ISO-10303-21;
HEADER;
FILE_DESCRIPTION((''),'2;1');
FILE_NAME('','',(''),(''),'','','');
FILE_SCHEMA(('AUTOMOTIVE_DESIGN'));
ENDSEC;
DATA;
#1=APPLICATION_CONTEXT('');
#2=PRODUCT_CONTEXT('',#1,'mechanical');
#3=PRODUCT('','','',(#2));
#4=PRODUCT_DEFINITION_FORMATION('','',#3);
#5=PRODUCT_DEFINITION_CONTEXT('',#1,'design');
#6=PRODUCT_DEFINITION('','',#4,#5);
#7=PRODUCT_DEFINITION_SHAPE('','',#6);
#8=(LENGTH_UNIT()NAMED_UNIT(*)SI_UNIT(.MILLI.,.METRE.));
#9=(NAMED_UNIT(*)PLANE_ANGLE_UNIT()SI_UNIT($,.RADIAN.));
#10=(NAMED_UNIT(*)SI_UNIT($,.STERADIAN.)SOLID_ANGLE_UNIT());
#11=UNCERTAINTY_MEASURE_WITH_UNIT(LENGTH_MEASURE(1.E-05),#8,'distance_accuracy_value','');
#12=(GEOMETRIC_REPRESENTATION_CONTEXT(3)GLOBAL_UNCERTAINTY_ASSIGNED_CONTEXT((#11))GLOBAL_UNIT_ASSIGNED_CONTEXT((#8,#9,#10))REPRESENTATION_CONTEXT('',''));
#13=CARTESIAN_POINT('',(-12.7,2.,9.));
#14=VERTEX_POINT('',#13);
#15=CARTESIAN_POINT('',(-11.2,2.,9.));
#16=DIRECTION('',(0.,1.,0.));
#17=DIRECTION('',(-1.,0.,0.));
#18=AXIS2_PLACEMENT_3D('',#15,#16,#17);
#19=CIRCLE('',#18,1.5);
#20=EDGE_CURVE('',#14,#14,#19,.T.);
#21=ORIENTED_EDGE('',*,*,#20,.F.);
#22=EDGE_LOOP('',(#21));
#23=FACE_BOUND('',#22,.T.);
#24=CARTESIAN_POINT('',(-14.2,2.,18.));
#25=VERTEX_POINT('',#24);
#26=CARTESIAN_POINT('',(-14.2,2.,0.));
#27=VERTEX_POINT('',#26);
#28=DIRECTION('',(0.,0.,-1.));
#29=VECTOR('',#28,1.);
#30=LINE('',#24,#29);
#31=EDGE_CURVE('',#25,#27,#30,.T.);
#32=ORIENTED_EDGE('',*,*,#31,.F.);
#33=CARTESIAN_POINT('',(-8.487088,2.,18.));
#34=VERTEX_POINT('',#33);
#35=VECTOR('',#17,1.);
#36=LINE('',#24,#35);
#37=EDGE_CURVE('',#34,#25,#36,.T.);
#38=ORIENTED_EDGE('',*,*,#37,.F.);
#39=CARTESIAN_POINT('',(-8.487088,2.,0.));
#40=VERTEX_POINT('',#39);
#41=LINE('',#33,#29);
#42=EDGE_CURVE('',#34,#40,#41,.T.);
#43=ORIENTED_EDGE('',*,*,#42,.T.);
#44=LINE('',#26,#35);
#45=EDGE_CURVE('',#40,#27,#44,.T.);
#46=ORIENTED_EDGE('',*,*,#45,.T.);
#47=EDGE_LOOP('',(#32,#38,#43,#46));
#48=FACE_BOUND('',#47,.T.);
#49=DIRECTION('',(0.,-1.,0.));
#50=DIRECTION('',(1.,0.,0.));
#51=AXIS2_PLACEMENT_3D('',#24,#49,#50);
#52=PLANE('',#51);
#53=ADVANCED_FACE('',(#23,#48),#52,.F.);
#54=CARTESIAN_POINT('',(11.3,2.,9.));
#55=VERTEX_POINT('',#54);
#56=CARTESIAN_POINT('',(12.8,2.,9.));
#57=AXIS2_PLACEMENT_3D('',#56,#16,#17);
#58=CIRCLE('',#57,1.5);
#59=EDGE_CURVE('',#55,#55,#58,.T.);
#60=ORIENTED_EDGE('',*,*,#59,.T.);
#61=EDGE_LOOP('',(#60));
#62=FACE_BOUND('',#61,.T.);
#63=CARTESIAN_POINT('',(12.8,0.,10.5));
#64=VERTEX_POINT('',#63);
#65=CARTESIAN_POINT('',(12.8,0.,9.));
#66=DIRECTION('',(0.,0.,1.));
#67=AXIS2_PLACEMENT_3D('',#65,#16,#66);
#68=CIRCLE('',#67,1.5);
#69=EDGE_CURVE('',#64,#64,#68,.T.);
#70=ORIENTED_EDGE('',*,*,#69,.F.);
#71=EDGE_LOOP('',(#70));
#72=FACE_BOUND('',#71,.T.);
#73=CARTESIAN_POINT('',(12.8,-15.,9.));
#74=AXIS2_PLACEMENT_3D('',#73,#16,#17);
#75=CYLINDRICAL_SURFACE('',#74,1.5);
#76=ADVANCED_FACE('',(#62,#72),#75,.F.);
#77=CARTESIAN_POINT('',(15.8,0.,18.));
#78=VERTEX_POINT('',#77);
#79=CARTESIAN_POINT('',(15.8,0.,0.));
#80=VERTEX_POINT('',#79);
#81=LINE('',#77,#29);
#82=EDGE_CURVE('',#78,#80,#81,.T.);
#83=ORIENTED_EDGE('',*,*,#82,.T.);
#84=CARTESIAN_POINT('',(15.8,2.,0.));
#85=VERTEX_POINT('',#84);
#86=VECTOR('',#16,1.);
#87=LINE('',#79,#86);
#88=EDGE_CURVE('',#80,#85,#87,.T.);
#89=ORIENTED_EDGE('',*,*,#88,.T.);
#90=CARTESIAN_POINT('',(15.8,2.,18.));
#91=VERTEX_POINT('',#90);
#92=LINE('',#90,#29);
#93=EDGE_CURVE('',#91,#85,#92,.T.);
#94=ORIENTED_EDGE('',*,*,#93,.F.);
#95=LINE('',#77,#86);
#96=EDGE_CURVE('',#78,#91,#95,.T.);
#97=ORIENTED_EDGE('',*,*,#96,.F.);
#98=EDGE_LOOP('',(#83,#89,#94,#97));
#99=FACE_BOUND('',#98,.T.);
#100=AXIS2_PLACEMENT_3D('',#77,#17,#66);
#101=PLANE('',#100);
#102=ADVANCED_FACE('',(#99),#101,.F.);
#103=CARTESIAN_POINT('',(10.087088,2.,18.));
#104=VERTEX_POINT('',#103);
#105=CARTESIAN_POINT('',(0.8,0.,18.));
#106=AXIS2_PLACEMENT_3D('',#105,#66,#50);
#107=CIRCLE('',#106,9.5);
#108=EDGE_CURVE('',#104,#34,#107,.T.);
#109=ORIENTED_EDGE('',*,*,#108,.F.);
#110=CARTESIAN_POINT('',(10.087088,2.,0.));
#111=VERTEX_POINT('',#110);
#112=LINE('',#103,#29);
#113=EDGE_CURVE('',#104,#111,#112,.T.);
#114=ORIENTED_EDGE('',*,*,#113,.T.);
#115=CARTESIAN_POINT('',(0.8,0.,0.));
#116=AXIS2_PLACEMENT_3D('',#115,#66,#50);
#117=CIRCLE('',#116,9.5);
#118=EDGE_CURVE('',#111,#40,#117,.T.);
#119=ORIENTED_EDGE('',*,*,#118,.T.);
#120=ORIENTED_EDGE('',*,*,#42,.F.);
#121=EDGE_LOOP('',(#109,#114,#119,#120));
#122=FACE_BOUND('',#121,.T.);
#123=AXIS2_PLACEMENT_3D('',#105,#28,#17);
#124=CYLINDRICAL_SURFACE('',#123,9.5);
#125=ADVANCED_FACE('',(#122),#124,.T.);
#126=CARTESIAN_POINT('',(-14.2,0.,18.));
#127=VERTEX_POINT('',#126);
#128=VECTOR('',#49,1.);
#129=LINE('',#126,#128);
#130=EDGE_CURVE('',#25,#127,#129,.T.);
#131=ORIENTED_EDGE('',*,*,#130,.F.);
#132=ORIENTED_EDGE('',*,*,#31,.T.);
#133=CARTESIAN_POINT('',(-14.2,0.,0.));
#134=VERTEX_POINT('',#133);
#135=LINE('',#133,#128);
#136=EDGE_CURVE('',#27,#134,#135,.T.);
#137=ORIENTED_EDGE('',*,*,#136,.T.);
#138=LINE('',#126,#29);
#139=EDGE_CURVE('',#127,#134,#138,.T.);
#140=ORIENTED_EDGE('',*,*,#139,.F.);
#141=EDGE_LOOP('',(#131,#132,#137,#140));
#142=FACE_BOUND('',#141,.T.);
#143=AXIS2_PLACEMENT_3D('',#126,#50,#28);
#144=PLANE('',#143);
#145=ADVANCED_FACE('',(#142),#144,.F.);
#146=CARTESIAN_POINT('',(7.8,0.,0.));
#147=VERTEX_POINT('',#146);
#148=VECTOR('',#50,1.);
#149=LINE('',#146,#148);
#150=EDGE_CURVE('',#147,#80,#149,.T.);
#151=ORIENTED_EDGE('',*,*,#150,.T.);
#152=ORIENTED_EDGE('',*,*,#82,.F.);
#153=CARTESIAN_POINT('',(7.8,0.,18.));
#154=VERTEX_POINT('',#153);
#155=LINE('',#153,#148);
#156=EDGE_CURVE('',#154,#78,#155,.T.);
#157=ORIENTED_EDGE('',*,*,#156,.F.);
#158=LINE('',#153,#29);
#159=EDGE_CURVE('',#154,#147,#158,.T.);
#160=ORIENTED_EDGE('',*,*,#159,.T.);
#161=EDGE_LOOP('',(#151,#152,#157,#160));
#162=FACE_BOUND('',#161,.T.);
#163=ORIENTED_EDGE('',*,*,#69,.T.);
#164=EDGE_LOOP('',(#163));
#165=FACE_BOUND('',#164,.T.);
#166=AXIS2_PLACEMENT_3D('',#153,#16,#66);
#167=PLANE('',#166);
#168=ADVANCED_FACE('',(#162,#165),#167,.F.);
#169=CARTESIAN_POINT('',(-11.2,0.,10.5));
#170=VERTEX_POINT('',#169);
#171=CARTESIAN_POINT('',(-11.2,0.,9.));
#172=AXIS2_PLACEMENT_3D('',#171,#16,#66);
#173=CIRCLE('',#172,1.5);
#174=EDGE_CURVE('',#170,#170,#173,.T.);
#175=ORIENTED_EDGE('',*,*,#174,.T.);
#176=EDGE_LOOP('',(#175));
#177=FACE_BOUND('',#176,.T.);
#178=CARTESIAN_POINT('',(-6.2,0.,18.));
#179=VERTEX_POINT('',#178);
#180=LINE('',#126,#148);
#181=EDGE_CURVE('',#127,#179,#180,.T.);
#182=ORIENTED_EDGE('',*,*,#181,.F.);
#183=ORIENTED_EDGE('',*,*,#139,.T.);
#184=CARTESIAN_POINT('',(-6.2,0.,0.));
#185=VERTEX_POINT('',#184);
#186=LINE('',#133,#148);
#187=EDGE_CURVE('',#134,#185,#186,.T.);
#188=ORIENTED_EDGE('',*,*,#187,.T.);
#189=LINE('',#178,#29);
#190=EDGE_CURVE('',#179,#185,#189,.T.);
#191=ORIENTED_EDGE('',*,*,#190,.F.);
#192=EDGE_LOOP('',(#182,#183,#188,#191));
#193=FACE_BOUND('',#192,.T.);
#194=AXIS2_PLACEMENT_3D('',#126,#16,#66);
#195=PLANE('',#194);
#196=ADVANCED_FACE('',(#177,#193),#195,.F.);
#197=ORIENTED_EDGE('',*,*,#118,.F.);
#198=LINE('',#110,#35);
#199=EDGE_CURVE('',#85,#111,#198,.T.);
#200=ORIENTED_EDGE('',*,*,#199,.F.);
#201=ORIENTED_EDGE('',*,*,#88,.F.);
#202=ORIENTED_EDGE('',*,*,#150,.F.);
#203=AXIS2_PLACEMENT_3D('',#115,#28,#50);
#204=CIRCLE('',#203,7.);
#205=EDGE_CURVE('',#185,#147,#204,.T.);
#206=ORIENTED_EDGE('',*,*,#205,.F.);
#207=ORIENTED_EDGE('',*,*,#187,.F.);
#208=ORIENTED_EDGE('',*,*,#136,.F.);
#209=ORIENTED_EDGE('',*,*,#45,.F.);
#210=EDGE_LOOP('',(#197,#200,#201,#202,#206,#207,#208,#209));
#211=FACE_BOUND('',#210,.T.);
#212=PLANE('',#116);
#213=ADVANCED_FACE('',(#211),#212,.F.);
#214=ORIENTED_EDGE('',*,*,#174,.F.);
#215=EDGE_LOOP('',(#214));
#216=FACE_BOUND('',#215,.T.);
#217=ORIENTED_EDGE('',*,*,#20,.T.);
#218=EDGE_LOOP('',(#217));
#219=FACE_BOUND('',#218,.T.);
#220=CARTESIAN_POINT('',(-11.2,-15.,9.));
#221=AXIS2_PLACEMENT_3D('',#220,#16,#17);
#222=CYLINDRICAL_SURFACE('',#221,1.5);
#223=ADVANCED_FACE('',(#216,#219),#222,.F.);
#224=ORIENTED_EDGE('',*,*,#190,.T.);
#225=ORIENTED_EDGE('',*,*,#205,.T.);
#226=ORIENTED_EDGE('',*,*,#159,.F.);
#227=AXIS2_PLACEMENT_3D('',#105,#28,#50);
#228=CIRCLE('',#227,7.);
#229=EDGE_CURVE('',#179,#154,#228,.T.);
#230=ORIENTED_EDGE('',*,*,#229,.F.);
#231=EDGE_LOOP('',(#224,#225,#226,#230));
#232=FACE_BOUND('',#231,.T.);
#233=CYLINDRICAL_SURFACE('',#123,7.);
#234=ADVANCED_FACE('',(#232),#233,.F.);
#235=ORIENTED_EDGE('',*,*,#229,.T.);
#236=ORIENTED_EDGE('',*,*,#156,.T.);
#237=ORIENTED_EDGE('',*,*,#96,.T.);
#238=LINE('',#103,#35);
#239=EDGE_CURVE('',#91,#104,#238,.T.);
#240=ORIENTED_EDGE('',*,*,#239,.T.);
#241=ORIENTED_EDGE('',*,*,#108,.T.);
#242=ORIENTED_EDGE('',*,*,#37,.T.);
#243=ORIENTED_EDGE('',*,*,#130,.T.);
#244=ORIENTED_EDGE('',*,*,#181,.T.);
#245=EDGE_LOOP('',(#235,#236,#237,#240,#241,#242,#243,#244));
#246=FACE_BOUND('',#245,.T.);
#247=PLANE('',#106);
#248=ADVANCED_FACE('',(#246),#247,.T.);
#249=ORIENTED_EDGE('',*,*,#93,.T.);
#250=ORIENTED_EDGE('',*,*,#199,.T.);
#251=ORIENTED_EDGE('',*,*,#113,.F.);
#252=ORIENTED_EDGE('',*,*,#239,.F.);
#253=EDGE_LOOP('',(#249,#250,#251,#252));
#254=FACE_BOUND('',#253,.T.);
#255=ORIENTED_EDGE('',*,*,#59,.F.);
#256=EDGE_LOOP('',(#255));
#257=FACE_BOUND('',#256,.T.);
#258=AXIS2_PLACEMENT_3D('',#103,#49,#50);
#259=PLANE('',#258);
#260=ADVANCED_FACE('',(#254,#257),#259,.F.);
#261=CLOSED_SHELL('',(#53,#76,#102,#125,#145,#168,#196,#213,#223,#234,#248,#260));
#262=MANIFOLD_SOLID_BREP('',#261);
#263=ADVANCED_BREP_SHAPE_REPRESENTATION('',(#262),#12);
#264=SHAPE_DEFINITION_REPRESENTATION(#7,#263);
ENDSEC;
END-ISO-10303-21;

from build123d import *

# Parameters (mm, degrees)
RESSALTO_EXTRUS_O1_DEPTH = 18
ESBO_O2_R                = 1.5
CORTE_EXTRUS_O1_DEPTH    = 17


with BuildPart() as part:
    # Esboço1 → Ressalto-extrusão1 (new body)
    with BuildSketch(Plane.XY):
        with BuildLine():
            Line((10.087087811, 2), (15.8, 2))
            Line((15.8, 2), (15.8, 0))
            Line((15.8, 0), (7.8, 0))
            ThreePointArc((7.8, 0), (0.8, 7), (-6.2, 0))
            Line((-6.2, 0), (-14.2, 0))
            Line((-14.2, 0), (-14.2, 2))
            Line((-14.2, 2), (-8.487087811, 2))
            ThreePointArc((-8.487087811, 2), (0.8, 9.5), (10.087087811, 2))
        make_face()
    extrude(amount=RESSALTO_EXTRUS_O1_DEPTH)

    # Esboço2 → Corte-extrusão1 (cut)
    with BuildSketch(Plane(origin=(0, 2, 0), x_dir=(1, 0, 0), z_dir=(0, 1, 0))):
        with Locations((12.8, -9)):
            Circle(ESBO_O2_R)
        with Locations((-11.2, -9)):
            Circle(ESBO_O2_R)
    extrude(amount=-CORTE_EXTRUS_O1_DEPTH, mode=Mode.SUBTRACT)


solid = part.part
